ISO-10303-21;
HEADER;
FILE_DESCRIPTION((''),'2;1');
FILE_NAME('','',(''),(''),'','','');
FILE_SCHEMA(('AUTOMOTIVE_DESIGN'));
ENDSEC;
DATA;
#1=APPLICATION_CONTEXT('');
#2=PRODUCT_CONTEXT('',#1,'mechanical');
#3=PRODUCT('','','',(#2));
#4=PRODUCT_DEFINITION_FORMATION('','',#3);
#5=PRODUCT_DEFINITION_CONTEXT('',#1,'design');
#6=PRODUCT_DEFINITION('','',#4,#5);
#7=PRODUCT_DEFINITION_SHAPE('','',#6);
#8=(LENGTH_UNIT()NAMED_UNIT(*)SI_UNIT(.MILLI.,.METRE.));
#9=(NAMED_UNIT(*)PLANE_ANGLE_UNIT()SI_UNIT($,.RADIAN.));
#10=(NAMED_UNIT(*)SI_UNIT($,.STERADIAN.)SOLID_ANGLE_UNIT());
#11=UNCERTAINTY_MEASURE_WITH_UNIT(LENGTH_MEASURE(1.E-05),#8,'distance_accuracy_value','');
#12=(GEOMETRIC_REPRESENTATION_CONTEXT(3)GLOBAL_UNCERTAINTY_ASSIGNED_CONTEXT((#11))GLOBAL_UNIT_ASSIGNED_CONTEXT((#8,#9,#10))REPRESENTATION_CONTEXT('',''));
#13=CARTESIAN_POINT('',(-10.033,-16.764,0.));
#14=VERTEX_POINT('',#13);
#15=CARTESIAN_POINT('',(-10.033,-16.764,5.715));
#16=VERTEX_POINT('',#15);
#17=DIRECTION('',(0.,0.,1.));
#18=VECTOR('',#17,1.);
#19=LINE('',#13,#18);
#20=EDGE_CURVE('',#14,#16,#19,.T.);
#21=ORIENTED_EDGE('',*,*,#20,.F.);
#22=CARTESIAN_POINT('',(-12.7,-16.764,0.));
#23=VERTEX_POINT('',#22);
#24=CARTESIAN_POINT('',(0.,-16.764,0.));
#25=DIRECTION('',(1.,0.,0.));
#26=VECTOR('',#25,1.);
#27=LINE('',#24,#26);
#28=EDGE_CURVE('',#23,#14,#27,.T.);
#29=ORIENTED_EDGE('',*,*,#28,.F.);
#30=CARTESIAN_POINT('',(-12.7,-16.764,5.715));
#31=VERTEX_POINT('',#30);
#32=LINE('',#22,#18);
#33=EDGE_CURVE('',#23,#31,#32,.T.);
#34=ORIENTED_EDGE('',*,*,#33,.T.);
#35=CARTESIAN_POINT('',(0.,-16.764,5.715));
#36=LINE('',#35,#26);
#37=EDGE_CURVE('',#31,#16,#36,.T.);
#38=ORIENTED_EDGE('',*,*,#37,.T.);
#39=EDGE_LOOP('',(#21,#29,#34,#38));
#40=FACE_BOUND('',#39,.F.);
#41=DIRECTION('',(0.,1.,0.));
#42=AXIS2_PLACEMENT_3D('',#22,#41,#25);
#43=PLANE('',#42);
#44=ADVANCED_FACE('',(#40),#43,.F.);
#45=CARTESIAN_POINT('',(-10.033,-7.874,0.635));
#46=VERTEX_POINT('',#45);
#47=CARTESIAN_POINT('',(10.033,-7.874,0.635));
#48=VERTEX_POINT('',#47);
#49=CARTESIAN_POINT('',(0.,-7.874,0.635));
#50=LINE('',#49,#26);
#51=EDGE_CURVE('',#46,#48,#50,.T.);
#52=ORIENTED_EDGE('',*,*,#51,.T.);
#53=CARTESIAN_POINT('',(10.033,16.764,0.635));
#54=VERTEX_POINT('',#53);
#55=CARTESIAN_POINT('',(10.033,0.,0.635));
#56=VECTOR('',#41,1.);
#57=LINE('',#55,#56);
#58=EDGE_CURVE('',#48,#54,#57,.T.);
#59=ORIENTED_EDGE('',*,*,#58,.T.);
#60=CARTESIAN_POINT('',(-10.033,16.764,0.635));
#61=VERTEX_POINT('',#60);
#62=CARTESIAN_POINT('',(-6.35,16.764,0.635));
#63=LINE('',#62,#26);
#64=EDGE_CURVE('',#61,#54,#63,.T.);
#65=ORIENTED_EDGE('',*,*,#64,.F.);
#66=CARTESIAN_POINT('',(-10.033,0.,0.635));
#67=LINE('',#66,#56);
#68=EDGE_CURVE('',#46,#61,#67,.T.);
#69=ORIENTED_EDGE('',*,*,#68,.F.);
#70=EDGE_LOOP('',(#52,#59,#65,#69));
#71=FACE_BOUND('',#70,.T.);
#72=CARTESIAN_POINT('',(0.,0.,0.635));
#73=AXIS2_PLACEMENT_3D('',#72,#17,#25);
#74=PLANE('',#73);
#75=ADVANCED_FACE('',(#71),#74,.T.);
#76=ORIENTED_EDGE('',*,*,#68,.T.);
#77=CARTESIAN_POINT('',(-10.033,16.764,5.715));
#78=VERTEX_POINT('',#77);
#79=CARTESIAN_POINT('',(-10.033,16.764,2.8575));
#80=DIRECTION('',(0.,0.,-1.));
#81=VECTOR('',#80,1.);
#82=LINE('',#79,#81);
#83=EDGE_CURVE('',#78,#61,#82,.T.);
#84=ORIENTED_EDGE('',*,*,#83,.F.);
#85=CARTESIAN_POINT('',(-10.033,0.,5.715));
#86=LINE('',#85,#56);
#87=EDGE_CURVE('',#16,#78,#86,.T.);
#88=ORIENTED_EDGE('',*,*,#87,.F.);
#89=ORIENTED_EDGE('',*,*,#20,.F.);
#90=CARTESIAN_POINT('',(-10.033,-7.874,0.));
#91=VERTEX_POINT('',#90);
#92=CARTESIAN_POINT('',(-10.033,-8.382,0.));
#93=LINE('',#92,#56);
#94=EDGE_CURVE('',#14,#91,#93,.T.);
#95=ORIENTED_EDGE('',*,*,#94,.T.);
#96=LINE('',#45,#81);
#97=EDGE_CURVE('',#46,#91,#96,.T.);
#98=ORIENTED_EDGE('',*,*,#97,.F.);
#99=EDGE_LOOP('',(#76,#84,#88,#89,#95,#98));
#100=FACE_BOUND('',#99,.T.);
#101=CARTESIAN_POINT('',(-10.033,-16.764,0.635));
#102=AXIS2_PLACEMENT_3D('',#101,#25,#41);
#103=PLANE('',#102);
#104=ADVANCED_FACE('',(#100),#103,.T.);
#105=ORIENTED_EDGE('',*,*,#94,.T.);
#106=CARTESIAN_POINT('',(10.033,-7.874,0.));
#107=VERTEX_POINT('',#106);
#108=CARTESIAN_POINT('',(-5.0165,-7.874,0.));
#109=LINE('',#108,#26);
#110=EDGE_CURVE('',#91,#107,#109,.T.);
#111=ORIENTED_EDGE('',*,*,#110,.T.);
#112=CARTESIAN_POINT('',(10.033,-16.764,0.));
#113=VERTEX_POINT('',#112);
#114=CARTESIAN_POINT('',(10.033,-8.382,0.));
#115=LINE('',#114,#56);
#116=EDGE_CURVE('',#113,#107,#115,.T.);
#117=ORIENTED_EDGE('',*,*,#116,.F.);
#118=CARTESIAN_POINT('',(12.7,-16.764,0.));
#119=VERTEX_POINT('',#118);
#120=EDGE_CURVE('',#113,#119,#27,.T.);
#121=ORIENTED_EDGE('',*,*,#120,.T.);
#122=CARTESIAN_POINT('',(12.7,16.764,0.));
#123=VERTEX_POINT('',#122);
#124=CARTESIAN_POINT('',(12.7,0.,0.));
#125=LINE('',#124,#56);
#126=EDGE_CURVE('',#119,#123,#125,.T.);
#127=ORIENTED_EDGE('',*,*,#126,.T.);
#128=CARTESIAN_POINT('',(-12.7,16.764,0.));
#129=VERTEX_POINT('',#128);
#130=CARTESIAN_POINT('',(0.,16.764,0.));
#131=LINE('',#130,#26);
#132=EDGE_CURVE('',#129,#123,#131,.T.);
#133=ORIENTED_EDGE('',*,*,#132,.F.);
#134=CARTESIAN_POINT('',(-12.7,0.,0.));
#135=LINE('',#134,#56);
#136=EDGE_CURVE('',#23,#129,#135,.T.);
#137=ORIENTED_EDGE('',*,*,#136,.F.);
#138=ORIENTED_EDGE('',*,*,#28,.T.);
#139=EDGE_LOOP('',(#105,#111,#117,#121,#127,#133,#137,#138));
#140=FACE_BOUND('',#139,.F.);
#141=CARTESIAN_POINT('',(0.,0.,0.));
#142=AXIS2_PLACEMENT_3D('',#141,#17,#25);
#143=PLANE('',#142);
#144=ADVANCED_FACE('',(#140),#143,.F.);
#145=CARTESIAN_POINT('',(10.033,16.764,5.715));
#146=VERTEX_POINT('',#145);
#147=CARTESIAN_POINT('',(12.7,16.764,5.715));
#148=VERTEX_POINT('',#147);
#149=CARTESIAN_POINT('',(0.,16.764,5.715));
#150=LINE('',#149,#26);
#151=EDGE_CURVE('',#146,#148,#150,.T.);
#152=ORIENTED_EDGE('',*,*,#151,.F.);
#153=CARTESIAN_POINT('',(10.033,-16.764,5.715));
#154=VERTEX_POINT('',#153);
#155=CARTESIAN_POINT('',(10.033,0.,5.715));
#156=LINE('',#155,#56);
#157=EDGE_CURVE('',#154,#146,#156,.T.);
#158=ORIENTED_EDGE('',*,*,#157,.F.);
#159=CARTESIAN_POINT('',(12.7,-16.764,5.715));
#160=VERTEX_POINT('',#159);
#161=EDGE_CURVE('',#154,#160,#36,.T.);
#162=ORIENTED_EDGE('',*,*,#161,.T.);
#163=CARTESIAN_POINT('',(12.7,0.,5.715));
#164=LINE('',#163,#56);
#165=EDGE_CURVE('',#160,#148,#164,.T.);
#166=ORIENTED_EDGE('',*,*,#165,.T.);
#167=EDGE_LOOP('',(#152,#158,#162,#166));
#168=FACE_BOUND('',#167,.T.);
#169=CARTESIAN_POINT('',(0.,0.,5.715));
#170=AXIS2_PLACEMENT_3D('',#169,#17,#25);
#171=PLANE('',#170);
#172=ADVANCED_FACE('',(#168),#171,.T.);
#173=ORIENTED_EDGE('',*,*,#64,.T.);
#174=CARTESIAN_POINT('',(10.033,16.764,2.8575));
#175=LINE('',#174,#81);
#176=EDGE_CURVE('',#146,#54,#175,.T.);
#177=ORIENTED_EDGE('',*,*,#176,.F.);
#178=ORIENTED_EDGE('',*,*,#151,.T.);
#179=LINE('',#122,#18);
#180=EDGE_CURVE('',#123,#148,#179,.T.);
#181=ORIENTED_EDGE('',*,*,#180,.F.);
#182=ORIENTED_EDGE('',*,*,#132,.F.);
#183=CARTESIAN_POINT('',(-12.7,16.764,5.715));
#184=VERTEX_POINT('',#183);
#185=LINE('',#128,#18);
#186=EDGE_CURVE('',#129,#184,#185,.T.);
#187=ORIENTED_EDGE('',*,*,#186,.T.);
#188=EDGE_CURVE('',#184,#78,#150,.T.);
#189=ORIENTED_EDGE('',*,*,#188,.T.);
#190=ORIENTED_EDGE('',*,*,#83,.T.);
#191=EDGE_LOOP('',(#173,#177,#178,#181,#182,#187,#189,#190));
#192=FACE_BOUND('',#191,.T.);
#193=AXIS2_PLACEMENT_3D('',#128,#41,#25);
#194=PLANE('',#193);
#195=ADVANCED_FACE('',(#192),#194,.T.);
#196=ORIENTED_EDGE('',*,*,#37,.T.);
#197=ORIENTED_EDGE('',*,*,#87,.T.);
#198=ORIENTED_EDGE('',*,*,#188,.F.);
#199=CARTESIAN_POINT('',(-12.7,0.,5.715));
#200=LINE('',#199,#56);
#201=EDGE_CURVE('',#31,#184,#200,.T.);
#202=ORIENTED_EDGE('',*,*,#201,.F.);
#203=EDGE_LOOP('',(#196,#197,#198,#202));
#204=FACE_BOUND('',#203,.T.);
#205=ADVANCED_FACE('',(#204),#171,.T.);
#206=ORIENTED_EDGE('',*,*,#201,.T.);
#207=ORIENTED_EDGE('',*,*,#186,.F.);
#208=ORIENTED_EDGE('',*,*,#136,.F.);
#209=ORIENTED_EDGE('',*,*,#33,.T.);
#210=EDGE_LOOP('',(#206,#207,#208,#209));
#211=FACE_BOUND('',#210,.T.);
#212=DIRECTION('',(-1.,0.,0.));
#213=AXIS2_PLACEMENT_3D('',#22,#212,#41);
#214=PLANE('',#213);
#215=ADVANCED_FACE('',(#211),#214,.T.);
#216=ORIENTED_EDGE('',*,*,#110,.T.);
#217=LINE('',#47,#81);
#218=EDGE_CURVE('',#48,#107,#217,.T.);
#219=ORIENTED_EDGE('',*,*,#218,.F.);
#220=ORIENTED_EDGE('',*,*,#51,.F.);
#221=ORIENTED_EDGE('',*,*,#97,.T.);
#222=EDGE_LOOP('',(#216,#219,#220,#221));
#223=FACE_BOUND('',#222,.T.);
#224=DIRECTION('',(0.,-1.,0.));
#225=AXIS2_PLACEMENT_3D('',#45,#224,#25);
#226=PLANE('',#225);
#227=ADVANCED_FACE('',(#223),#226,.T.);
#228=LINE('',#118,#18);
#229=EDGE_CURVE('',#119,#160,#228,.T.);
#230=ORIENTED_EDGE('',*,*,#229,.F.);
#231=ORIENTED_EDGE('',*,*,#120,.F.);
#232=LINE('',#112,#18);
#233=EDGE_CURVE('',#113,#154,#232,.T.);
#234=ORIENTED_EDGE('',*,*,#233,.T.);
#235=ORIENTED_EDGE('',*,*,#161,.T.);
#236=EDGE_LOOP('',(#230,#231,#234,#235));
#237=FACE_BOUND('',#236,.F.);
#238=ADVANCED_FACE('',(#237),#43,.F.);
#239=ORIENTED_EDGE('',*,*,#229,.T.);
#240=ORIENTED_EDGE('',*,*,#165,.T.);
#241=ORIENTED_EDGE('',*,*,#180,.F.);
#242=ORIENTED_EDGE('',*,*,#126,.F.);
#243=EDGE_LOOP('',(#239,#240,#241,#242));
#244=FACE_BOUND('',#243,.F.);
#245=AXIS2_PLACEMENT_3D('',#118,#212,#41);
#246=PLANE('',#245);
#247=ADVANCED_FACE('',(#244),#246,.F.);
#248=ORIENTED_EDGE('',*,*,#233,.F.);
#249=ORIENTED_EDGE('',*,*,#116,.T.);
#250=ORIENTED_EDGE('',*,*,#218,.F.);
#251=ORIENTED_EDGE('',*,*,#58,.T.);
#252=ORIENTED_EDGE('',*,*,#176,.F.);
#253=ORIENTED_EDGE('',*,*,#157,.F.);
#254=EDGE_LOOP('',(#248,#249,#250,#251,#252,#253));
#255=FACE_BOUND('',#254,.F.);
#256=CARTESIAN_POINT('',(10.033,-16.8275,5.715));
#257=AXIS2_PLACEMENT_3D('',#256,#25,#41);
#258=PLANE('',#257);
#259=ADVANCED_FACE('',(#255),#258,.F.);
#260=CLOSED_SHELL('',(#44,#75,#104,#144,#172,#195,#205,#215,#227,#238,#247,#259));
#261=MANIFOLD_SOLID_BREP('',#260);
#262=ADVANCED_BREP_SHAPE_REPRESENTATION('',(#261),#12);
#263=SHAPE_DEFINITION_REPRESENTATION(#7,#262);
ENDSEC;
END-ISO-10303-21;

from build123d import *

# Parameters (mm, degrees)
F0_W     = 25.4
F0_H     = 33.528
F1_DEPTH = 5.715
F3_W     = 20.066
F3_H     = 33.655
F4_DEPTH = 5.08
F5_W     = 20.066
F5_H     = 8.89
F6_DEPTH = 25.4


with BuildPart() as f1:
    # F0 (on Top) → F1 (new body)
    with BuildSketch(Plane.XY):
        Rectangle(F0_W, F0_H)
    extrude(amount=F1_DEPTH)

    # F3 (on face) → F4 (cut)
    with BuildSketch(Plane.XY.offset(5.715)):
        Rectangle(F3_W, F3_H)
    extrude(amount=-F4_DEPTH, mode=Mode.SUBTRACT)

    # F5 (on face) → F6 (cut)
    with BuildSketch(Plane.XY.offset(0.635)):
        with Locations((0, -12.319)):
            Rectangle(F5_W, F5_H)
    extrude(amount=-F6_DEPTH, mode=Mode.SUBTRACT)


solid = f1.part
